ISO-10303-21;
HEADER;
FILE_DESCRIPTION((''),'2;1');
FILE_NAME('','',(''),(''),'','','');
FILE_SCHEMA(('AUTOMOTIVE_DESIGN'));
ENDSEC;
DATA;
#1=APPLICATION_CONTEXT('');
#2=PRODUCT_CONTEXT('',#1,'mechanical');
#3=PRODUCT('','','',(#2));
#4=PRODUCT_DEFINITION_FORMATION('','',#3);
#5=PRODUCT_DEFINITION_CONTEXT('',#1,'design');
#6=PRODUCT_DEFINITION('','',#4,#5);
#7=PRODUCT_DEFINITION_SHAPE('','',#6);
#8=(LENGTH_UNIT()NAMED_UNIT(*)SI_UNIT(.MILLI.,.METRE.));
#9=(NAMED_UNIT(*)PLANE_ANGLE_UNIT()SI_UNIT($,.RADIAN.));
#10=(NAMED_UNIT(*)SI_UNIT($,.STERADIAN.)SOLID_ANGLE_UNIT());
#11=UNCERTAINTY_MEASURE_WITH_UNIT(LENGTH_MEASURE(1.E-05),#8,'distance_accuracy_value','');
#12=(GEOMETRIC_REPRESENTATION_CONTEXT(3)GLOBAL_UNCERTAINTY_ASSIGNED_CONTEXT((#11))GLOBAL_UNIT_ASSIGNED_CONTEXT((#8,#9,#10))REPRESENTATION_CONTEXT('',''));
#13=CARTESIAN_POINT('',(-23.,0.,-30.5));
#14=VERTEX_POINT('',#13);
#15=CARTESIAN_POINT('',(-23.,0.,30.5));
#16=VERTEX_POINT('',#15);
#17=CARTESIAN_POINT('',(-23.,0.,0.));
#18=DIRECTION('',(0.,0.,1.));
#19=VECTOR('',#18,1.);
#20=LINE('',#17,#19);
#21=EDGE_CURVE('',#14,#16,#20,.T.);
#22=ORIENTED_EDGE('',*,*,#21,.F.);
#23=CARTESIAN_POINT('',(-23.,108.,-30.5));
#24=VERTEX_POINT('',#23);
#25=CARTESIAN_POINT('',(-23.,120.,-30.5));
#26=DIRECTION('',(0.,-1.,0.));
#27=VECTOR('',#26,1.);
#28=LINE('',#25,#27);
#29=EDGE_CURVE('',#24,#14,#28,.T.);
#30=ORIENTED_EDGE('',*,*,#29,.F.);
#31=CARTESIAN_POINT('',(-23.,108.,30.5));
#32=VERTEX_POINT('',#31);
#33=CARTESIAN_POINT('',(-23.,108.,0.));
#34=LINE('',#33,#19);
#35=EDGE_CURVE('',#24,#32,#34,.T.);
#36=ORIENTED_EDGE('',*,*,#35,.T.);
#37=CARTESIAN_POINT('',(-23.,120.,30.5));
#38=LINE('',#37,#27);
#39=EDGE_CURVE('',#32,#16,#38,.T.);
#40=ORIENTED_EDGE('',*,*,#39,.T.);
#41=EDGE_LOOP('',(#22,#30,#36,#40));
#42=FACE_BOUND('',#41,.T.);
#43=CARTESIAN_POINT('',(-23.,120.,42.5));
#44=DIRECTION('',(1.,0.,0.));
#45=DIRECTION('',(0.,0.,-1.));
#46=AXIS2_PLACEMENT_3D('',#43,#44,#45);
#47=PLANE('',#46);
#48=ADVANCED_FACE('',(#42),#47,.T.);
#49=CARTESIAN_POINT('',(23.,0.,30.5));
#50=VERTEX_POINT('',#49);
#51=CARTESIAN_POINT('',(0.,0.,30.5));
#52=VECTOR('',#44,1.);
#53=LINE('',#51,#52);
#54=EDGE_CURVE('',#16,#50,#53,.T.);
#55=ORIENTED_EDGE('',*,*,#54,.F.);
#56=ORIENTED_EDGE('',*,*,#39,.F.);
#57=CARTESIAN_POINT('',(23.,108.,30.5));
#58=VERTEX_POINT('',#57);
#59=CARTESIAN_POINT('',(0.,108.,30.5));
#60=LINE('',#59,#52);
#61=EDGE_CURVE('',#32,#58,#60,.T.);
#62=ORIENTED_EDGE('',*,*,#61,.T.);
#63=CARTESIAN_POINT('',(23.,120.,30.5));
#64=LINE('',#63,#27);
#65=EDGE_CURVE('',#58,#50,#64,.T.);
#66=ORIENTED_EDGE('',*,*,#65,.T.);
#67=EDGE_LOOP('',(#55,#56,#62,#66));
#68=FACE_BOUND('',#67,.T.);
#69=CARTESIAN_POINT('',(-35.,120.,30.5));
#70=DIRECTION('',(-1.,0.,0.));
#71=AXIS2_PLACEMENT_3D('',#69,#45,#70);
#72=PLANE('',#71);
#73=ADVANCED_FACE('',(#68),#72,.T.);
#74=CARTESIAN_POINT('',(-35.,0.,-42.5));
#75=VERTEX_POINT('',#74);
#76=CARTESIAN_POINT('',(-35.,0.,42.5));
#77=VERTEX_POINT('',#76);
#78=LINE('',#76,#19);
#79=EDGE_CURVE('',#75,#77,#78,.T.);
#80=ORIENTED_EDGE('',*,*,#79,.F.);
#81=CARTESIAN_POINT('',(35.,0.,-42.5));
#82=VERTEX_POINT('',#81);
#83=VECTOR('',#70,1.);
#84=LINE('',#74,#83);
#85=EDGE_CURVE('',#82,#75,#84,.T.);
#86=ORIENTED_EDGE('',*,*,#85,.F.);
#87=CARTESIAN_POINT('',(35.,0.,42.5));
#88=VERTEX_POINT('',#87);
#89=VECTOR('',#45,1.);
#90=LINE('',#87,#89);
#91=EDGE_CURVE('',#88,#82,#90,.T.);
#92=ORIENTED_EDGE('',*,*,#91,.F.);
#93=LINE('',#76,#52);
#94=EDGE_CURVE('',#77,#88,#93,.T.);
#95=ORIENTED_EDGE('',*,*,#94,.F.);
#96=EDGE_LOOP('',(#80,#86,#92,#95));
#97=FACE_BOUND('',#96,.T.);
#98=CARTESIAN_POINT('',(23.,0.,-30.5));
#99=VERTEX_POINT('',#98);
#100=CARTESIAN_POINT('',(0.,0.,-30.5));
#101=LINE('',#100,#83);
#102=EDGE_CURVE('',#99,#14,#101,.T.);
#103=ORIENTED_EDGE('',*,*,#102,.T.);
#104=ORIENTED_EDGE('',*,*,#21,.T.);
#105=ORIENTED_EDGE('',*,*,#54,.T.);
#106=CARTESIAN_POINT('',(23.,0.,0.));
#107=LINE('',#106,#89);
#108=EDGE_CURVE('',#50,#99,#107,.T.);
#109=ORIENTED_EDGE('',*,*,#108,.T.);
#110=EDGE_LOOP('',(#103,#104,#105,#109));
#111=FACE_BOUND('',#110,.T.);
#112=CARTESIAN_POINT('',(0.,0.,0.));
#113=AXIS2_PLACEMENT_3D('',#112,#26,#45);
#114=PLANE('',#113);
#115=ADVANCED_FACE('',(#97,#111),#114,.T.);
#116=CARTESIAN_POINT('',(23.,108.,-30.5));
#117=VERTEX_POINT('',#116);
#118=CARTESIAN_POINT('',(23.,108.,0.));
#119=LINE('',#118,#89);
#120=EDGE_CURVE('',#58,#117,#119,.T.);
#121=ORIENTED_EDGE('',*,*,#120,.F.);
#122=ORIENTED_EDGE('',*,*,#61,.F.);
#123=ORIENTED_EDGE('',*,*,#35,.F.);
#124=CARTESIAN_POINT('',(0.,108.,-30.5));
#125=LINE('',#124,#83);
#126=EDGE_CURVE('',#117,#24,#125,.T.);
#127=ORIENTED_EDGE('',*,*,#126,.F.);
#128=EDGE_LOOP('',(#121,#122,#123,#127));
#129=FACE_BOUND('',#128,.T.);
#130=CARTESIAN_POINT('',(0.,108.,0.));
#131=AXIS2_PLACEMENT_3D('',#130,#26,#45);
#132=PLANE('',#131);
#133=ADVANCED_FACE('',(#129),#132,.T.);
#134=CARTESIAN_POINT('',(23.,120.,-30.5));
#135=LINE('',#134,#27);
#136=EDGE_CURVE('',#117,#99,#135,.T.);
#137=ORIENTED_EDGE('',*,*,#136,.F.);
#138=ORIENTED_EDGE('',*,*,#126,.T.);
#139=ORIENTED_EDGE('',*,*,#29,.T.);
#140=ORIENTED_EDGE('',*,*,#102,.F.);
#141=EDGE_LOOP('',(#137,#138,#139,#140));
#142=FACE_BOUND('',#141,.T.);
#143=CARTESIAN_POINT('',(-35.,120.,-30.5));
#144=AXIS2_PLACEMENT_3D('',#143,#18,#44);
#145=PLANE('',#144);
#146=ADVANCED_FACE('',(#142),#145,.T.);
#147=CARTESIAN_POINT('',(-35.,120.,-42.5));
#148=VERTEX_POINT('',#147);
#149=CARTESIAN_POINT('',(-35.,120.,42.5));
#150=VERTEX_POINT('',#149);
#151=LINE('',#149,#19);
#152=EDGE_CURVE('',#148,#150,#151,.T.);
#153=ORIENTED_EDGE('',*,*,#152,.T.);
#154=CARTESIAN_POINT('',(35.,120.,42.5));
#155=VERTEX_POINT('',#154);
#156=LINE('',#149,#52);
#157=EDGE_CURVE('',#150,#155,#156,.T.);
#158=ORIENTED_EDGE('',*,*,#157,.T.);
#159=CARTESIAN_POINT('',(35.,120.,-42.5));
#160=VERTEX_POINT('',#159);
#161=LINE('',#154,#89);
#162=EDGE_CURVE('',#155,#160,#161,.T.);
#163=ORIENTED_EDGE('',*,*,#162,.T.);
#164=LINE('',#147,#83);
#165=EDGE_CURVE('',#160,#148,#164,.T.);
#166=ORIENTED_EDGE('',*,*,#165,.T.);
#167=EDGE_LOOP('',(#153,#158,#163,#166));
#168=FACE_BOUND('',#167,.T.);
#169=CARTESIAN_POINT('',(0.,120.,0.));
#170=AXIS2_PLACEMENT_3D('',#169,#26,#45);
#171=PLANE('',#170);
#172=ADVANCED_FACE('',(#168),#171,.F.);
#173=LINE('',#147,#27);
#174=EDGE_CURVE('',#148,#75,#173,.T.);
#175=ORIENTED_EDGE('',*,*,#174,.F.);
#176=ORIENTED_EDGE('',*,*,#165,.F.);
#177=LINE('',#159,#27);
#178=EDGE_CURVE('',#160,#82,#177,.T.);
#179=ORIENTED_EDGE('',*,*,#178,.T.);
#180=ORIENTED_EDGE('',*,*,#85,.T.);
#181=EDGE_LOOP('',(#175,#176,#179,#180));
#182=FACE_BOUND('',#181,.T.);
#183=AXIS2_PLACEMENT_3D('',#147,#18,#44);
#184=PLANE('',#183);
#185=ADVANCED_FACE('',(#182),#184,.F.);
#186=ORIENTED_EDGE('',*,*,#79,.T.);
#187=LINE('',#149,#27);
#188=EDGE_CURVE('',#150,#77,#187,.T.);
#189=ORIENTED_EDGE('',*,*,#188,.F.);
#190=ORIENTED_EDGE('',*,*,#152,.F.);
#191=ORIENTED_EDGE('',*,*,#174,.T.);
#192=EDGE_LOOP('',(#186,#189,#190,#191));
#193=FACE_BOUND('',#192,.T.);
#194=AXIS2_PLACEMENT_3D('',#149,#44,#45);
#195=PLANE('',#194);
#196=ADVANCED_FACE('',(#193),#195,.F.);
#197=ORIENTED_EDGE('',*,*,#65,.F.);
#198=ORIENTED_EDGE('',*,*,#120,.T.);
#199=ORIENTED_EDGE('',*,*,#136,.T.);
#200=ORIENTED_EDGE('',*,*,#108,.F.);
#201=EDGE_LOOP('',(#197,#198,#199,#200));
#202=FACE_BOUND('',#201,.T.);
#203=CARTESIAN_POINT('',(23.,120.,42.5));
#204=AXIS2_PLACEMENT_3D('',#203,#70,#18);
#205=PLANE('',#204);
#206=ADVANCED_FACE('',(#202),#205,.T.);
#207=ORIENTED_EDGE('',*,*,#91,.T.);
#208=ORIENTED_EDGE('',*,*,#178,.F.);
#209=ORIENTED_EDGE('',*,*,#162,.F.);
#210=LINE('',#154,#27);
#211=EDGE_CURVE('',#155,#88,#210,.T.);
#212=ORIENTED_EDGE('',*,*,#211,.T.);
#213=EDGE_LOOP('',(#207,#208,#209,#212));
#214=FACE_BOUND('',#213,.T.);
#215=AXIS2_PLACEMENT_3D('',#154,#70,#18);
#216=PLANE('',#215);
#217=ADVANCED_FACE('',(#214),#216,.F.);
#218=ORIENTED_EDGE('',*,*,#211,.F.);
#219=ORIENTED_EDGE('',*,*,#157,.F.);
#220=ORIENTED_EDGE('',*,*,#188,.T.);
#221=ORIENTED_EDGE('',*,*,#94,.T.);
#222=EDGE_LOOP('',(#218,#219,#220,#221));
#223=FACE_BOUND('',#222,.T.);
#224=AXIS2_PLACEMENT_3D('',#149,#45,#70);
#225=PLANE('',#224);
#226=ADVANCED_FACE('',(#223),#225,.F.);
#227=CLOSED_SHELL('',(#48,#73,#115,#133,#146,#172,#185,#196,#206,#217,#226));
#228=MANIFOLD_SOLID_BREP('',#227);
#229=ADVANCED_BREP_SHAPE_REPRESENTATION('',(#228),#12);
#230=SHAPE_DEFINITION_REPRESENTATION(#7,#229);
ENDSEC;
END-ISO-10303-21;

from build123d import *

# Parameters (mm, degrees)
SKETCH1_W           = 70
SKETCH1_H           = 85
BOSS_EXTRUDE1_DEPTH = 120
SHELL1_T            = -12


with BuildPart() as part:
    # Sketch1 → Boss-Extrude1 (new body)
    with BuildSketch(Plane(origin=(0, 0, 0), x_dir=(1, 0, 0), z_dir=(0, 1, 0))):
        Rectangle(SKETCH1_W, SKETCH1_H)
    extrude(amount=BOSS_EXTRUDE1_DEPTH)

    # Shell1
    shell1_openings = [part.faces().sort_by_distance(p)[0] for p in [
        (0, 0, 0),
    ]]
    offset(amount=SHELL1_T, openings=shell1_openings, kind=Kind.INTERSECTION)


solid = part.part
